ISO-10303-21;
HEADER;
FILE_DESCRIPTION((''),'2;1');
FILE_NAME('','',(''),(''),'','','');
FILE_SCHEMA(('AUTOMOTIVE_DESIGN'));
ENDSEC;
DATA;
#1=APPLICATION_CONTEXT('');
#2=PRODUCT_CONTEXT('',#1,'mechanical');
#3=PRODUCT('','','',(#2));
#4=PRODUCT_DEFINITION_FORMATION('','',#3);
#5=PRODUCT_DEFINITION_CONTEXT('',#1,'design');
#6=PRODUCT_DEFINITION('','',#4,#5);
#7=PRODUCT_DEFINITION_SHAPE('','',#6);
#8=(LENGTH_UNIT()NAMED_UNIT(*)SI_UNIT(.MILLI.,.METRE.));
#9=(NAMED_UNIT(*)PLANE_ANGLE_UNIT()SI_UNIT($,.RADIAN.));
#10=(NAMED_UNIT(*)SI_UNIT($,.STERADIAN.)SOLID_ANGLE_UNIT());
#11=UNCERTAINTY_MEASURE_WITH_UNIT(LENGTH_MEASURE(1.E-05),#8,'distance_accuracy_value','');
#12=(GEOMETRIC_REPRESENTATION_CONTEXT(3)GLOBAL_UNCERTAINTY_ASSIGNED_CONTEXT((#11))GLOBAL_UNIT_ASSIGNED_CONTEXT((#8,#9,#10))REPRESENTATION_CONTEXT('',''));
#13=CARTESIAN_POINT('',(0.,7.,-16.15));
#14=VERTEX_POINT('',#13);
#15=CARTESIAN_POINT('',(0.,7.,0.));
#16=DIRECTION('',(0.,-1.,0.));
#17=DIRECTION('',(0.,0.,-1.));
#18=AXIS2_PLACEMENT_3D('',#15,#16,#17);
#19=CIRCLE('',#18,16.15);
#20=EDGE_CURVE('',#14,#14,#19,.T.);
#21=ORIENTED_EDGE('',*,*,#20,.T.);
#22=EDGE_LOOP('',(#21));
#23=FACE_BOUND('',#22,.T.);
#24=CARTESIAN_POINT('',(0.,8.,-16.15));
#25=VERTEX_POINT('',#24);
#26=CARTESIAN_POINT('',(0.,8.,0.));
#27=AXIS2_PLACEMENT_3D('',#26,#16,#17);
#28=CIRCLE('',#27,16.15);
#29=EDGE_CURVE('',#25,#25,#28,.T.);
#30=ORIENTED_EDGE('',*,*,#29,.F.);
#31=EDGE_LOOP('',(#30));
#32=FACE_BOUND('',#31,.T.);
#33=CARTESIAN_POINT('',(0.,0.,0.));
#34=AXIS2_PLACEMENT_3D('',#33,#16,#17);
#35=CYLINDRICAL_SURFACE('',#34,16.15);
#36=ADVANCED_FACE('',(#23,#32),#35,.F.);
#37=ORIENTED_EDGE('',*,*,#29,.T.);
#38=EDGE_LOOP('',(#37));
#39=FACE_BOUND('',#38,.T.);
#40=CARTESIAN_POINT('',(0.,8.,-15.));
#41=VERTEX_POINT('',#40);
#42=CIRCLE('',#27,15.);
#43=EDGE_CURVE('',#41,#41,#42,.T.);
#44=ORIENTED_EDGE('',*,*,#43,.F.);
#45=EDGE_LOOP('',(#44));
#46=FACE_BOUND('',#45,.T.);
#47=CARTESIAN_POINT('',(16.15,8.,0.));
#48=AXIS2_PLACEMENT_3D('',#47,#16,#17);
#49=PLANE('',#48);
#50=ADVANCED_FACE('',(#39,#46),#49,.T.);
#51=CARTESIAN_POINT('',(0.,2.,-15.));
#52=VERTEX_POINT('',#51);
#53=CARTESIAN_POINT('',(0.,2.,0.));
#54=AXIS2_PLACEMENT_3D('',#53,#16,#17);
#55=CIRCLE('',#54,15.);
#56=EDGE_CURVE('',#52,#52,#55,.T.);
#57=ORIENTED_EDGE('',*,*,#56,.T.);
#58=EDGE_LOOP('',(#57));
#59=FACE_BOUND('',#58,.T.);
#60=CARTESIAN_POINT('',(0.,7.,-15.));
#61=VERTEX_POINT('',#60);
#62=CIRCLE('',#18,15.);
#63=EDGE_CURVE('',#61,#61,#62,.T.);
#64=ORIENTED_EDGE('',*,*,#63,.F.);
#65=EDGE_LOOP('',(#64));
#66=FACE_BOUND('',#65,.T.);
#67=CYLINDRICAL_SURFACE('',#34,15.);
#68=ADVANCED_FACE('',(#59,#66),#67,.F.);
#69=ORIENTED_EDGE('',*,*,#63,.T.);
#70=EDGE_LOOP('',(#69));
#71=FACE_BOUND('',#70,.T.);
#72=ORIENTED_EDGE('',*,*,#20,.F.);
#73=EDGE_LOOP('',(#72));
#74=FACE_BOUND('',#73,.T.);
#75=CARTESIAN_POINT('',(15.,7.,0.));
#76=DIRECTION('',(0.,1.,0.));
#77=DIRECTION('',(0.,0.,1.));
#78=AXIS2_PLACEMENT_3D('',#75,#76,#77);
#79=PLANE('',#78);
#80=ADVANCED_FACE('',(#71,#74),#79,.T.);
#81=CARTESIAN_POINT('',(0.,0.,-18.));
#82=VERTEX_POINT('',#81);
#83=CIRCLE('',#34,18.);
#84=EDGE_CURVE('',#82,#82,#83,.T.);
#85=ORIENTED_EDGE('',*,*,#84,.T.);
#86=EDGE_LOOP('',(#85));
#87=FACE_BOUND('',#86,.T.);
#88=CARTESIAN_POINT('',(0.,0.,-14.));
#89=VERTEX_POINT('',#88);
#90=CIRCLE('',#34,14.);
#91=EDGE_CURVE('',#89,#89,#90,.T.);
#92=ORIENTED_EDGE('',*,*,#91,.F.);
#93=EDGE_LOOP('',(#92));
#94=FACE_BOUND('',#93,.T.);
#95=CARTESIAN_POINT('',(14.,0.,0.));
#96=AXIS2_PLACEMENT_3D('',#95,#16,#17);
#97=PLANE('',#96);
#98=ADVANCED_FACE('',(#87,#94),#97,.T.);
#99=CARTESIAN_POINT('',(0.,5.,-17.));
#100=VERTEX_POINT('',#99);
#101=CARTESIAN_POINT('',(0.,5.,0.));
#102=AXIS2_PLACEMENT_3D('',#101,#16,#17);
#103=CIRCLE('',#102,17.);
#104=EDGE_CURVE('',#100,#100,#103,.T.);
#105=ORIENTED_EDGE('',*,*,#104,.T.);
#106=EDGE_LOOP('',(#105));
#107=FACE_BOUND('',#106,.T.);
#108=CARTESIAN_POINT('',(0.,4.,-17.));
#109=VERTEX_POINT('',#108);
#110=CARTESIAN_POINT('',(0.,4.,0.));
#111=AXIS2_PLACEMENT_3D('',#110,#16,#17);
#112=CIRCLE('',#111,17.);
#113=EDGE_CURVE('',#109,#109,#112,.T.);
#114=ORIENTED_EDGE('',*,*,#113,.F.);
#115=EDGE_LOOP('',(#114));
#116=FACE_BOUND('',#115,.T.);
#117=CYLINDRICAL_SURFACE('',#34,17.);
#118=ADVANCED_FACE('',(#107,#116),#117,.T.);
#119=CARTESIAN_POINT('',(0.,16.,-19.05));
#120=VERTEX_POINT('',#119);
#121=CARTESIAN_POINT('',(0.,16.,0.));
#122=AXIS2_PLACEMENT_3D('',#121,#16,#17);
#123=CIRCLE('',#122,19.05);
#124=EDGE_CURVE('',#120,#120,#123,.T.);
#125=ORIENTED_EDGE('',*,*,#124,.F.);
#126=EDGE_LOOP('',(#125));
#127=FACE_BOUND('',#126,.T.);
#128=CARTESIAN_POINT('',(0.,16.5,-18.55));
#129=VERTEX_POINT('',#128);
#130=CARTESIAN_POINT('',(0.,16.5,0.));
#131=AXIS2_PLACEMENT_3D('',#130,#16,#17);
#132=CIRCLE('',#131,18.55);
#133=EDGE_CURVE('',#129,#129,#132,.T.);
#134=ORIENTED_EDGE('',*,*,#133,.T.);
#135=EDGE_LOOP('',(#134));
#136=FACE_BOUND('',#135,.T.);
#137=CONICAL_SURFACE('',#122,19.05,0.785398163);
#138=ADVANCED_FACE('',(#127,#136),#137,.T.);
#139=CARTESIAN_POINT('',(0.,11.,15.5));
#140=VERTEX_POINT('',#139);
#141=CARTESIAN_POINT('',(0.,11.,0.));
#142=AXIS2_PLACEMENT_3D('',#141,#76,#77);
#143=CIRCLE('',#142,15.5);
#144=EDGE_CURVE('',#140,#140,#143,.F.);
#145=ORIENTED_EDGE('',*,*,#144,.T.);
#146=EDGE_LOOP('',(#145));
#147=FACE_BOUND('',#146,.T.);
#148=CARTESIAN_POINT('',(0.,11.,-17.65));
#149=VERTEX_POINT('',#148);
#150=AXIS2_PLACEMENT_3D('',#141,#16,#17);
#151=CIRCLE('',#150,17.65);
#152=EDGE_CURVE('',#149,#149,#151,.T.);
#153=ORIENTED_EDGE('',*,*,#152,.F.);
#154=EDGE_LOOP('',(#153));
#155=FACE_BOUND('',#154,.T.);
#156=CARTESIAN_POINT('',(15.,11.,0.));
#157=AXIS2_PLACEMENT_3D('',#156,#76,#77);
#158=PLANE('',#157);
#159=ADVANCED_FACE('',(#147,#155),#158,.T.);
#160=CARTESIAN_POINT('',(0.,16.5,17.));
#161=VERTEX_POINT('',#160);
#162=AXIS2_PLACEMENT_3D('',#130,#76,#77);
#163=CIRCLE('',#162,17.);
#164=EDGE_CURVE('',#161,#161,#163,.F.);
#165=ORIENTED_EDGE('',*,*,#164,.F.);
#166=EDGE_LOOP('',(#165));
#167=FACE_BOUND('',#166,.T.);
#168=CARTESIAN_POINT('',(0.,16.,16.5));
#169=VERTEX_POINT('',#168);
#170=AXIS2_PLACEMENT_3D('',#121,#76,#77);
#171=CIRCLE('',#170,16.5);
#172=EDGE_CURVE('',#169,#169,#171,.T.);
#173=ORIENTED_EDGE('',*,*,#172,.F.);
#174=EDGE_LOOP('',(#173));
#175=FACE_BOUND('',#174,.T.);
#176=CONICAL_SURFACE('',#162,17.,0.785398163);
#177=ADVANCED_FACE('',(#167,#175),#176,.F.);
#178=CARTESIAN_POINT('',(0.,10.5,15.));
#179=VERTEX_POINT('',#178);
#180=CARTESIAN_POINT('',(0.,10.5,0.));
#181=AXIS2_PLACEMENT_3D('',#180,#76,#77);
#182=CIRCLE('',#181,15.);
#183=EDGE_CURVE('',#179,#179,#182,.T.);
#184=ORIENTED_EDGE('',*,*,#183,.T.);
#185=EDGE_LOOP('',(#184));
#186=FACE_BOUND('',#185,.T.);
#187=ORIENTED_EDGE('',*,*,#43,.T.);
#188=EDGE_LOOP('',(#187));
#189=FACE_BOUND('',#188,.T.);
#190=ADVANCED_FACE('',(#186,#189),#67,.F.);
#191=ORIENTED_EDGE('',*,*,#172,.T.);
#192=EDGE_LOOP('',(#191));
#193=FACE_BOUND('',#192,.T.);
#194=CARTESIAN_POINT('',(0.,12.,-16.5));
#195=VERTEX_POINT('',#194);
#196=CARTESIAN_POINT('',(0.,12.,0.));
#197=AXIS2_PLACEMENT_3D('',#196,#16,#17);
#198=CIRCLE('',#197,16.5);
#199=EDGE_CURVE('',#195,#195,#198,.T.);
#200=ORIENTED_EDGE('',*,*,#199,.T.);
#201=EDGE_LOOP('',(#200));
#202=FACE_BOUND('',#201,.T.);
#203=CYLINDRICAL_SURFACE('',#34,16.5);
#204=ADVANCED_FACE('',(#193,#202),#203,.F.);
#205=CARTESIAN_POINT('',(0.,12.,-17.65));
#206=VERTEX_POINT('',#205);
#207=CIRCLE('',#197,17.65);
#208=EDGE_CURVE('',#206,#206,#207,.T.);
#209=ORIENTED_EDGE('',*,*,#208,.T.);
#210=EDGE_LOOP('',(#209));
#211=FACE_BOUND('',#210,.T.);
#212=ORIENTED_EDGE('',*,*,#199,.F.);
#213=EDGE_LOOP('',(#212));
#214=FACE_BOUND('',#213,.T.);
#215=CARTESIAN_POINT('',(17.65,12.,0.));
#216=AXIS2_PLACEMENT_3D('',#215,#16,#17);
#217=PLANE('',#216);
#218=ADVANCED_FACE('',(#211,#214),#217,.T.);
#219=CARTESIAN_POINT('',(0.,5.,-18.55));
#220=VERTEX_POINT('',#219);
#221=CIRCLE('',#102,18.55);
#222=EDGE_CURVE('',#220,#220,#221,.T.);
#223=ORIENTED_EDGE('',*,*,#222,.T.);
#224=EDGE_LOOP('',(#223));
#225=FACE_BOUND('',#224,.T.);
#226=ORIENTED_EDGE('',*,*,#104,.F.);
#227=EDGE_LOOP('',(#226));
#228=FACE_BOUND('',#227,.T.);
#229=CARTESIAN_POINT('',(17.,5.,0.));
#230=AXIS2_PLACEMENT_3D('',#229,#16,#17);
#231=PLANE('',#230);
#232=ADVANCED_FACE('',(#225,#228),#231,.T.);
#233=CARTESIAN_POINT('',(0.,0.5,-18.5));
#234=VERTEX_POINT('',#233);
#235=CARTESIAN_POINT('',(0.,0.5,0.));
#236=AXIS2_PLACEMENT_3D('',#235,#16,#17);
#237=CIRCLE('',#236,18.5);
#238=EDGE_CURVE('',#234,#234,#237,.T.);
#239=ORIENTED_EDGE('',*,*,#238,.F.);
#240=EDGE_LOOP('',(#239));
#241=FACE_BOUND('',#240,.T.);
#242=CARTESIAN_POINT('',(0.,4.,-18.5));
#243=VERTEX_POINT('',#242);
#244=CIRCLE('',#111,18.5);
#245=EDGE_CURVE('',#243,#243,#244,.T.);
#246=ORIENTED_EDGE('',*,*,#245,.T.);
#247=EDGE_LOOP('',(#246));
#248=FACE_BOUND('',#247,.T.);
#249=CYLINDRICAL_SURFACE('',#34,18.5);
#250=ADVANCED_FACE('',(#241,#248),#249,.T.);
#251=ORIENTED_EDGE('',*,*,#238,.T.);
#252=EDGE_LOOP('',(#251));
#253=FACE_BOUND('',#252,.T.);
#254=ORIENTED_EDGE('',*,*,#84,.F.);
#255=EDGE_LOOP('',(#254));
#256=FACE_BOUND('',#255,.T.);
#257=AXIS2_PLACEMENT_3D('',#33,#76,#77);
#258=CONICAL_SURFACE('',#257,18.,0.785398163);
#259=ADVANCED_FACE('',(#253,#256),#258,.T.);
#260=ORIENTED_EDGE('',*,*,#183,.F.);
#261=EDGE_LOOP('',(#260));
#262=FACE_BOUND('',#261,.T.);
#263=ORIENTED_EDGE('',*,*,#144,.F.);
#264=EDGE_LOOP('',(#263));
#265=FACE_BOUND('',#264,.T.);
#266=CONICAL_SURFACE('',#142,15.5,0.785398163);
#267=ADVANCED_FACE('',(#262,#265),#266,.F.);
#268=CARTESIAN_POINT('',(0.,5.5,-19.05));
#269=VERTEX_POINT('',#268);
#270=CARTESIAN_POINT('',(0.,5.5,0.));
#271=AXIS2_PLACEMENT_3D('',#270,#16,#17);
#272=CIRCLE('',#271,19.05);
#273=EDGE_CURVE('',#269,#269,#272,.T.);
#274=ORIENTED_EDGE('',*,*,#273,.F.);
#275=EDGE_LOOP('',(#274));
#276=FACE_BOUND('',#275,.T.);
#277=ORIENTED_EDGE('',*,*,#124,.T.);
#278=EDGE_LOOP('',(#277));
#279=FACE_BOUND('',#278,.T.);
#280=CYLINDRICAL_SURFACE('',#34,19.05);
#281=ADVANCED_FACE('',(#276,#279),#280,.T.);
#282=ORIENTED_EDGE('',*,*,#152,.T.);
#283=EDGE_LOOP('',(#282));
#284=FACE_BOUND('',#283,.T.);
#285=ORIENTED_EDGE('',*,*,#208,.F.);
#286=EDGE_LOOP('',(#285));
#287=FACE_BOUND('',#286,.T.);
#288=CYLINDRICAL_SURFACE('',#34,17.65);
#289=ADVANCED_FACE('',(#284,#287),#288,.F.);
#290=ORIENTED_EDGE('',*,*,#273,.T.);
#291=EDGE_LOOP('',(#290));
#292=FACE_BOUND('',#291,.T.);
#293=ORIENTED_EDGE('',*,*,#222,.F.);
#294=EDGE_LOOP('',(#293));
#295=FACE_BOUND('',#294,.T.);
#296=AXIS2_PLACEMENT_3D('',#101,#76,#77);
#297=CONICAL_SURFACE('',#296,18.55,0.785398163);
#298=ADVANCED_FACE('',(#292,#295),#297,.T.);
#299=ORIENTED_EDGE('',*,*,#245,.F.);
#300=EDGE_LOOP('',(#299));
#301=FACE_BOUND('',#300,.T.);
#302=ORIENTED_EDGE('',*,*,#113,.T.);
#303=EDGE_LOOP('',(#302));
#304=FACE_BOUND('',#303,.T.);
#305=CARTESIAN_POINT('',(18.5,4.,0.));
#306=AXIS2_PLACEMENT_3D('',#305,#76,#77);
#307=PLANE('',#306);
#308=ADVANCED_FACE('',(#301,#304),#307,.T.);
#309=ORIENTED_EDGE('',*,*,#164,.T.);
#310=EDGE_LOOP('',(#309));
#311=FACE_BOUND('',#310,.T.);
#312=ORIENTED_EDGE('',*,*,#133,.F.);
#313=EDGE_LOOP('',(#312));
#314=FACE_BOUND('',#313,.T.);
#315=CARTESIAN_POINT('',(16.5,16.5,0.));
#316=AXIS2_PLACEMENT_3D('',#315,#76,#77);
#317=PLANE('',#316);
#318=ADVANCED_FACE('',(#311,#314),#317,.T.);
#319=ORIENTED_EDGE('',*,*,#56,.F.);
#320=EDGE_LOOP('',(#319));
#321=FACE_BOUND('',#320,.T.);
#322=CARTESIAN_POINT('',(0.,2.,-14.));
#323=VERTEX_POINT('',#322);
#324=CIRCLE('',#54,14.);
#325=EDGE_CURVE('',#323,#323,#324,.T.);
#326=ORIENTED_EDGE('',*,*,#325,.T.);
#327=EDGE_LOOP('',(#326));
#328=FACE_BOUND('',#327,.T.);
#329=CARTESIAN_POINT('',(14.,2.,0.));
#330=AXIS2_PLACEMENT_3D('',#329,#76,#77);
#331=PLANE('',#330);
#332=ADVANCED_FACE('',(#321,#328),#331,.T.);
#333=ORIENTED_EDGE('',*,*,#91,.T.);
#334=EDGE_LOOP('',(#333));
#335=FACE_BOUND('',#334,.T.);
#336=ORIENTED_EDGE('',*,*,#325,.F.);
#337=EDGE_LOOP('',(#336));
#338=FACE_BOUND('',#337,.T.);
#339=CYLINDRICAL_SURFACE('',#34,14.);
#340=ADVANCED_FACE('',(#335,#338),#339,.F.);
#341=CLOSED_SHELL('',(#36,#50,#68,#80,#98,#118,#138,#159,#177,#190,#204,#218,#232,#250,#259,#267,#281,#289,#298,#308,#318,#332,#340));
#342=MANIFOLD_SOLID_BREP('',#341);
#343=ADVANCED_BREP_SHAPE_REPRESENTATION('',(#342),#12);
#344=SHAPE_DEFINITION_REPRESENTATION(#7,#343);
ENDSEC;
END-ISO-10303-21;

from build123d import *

# Parameters (mm, degrees)
CHAMFER_1_SIZE = 0.5


with BuildPart() as part:
    # 草图1 → 旋转1 (revolve)
    with BuildSketch(Plane.XY, mode=Mode.PRIVATE) as revolve_1_sk:
        Polygon((14, 0), (14, 2), (15, 2), (15, 7), (16.15, 7), (16.15, 8), (15, 8), (15, 11), (17.65, 11), (17.65, 12), (16.5, 12), (16.5, 16.5), (18.55, 16.5), (19.05, 16), (19.05, 5.5), (18.55, 5), (17, 5), (17, 4), (18.5, 4), (18.5, 0.5), (18, 0), align=None)
    revolve(revolve_1_sk.sketch.rotate(Axis((0, 0, 0), (0, 1, 0)), 90), axis=Axis((0, 0, 0), (0, 1, 0)))  # turned: the seam where the file's is

    # 倒角1
    chamfer_1_edges = [part.edges().sort_by_distance(p)[0] for p in [
        (0, 11, 15),
        (0, 16.5, 16.5),
    ]]
    chamfer(chamfer_1_edges, length=CHAMFER_1_SIZE)


solid = part.part
